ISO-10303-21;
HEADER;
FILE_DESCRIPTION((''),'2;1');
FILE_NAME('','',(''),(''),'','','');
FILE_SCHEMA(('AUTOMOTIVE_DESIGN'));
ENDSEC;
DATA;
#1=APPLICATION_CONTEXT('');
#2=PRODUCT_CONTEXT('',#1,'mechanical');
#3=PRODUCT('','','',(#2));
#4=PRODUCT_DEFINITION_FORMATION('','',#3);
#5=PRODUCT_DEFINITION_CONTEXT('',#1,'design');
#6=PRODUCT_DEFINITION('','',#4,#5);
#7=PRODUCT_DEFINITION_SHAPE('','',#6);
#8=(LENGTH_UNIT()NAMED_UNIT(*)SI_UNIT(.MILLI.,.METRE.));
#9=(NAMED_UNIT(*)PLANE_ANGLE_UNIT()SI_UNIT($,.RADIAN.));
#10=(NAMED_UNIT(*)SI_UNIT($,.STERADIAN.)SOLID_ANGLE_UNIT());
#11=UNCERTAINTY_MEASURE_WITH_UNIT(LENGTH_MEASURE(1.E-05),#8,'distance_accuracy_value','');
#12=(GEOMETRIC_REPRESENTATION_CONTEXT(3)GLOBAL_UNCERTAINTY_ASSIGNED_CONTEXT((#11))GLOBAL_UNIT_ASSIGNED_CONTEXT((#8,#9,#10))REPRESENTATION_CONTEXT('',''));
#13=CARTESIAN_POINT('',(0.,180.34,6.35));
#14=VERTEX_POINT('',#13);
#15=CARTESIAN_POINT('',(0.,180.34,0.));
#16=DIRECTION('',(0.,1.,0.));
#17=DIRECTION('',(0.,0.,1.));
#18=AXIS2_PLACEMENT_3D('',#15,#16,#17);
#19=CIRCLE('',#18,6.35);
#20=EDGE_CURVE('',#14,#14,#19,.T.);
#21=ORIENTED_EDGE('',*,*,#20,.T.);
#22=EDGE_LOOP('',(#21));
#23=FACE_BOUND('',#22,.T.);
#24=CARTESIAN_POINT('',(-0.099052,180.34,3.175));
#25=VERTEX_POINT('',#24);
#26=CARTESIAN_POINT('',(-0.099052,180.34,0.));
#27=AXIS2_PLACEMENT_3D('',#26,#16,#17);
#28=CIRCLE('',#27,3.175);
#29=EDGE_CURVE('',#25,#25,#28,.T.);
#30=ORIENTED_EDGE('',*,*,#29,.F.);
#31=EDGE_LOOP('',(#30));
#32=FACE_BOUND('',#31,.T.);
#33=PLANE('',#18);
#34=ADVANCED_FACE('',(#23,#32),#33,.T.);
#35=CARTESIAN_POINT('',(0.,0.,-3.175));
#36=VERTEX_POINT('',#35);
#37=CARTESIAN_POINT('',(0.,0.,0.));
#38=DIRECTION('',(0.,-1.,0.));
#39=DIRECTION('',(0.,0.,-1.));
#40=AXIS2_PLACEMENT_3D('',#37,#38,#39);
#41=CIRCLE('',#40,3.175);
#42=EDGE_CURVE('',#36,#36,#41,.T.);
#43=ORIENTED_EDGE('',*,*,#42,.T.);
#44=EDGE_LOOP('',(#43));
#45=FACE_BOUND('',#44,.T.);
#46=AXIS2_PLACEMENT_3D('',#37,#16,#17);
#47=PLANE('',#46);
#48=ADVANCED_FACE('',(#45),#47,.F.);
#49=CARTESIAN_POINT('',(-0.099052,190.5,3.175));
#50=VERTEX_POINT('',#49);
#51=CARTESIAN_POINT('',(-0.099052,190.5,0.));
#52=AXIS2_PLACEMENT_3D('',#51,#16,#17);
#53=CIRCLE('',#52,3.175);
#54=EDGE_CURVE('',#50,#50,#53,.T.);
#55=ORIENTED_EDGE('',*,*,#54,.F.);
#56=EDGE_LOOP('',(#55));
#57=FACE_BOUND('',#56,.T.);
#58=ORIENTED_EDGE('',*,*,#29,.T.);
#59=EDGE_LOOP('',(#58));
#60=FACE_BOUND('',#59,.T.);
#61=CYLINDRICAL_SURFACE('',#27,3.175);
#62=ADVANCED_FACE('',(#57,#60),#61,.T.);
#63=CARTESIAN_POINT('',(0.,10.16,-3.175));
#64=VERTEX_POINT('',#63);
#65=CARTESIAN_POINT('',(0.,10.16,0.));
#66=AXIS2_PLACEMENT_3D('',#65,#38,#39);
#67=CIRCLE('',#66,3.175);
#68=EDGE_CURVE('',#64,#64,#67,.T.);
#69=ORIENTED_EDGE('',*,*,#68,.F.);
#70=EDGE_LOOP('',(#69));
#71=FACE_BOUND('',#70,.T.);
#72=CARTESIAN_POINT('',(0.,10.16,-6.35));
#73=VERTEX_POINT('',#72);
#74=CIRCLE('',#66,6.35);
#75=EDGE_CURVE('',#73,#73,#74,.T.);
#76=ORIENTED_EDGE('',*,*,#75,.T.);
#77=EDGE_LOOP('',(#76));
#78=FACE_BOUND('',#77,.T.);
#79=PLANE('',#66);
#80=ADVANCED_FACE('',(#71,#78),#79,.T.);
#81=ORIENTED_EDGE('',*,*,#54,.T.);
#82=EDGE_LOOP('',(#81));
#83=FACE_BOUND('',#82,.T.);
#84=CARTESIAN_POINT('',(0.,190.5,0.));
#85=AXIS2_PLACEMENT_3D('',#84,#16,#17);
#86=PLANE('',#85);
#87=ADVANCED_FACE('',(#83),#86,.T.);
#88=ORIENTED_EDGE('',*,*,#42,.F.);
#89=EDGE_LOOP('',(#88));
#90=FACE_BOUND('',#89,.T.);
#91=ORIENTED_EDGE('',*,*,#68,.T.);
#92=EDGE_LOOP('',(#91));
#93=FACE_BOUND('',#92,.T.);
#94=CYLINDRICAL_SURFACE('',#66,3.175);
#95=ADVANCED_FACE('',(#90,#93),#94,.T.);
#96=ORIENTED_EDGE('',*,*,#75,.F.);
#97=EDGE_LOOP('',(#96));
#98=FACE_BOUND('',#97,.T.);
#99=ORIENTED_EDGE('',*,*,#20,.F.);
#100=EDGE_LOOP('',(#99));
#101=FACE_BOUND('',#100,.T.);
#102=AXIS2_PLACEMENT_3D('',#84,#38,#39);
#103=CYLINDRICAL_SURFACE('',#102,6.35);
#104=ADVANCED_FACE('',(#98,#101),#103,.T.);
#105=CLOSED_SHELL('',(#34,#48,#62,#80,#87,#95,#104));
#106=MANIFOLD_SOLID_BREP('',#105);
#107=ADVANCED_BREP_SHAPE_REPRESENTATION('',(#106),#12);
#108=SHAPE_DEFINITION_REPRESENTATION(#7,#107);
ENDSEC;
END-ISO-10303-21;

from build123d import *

# Parameters (mm, degrees)
SKETCH1_R           = 6.35
BOSS_EXTRUDE1_DEPTH = 190.5
CUT_EXTRUDE1_START  = -10.16
SKETCH2_R           = 6.35
SKETCH2_R_2         = 3.175
CUT_EXTRUDE1_DEPTH  = 10.16
SKETCH3_R           = 6.35
SKETCH3_R_2         = 3.175
CUT_EXTRUDE2_DEPTH  = 10.16


with BuildPart() as part:
    # Sketch1 → Boss-Extrude1 (new body)
    with BuildSketch(Plane(origin=(0, 0, 0), x_dir=(1, 0, 0), z_dir=(0, 1, 0))):
        with Locations(Location((0, 0, 0), (0, 0, 270))):
            Circle(SKETCH1_R)
    extrude(amount=BOSS_EXTRUDE1_DEPTH)

    # Sketch2 → Cut-Extrude1 (cut)
    with BuildSketch(Plane(origin=(0, 190.5, 0), x_dir=(1, 0, 0), z_dir=(0, 1, 0)).offset(CUT_EXTRUDE1_START)):
        with Locations(Location((0, 0, 0), (0, 0, 270))):
            Circle(SKETCH2_R)
        with Locations(Location((-0.099052315, 0, 0), (0, 0, 270))):
            Circle(SKETCH2_R_2, mode=Mode.SUBTRACT)
    extrude(amount=CUT_EXTRUDE1_DEPTH, mode=Mode.SUBTRACT)

    # Sketch3 → Cut-Extrude2 (cut)
    with BuildSketch(Plane.XZ):
        with Locations(Location((0, 0, 0), (0, 0, 270))):
            Circle(SKETCH3_R)
        with Locations(Location((0, 0, 0), (0, 0, 270))):
            Circle(SKETCH3_R_2, mode=Mode.SUBTRACT)
    extrude(amount=-CUT_EXTRUDE2_DEPTH, mode=Mode.SUBTRACT)


solid = part.part
